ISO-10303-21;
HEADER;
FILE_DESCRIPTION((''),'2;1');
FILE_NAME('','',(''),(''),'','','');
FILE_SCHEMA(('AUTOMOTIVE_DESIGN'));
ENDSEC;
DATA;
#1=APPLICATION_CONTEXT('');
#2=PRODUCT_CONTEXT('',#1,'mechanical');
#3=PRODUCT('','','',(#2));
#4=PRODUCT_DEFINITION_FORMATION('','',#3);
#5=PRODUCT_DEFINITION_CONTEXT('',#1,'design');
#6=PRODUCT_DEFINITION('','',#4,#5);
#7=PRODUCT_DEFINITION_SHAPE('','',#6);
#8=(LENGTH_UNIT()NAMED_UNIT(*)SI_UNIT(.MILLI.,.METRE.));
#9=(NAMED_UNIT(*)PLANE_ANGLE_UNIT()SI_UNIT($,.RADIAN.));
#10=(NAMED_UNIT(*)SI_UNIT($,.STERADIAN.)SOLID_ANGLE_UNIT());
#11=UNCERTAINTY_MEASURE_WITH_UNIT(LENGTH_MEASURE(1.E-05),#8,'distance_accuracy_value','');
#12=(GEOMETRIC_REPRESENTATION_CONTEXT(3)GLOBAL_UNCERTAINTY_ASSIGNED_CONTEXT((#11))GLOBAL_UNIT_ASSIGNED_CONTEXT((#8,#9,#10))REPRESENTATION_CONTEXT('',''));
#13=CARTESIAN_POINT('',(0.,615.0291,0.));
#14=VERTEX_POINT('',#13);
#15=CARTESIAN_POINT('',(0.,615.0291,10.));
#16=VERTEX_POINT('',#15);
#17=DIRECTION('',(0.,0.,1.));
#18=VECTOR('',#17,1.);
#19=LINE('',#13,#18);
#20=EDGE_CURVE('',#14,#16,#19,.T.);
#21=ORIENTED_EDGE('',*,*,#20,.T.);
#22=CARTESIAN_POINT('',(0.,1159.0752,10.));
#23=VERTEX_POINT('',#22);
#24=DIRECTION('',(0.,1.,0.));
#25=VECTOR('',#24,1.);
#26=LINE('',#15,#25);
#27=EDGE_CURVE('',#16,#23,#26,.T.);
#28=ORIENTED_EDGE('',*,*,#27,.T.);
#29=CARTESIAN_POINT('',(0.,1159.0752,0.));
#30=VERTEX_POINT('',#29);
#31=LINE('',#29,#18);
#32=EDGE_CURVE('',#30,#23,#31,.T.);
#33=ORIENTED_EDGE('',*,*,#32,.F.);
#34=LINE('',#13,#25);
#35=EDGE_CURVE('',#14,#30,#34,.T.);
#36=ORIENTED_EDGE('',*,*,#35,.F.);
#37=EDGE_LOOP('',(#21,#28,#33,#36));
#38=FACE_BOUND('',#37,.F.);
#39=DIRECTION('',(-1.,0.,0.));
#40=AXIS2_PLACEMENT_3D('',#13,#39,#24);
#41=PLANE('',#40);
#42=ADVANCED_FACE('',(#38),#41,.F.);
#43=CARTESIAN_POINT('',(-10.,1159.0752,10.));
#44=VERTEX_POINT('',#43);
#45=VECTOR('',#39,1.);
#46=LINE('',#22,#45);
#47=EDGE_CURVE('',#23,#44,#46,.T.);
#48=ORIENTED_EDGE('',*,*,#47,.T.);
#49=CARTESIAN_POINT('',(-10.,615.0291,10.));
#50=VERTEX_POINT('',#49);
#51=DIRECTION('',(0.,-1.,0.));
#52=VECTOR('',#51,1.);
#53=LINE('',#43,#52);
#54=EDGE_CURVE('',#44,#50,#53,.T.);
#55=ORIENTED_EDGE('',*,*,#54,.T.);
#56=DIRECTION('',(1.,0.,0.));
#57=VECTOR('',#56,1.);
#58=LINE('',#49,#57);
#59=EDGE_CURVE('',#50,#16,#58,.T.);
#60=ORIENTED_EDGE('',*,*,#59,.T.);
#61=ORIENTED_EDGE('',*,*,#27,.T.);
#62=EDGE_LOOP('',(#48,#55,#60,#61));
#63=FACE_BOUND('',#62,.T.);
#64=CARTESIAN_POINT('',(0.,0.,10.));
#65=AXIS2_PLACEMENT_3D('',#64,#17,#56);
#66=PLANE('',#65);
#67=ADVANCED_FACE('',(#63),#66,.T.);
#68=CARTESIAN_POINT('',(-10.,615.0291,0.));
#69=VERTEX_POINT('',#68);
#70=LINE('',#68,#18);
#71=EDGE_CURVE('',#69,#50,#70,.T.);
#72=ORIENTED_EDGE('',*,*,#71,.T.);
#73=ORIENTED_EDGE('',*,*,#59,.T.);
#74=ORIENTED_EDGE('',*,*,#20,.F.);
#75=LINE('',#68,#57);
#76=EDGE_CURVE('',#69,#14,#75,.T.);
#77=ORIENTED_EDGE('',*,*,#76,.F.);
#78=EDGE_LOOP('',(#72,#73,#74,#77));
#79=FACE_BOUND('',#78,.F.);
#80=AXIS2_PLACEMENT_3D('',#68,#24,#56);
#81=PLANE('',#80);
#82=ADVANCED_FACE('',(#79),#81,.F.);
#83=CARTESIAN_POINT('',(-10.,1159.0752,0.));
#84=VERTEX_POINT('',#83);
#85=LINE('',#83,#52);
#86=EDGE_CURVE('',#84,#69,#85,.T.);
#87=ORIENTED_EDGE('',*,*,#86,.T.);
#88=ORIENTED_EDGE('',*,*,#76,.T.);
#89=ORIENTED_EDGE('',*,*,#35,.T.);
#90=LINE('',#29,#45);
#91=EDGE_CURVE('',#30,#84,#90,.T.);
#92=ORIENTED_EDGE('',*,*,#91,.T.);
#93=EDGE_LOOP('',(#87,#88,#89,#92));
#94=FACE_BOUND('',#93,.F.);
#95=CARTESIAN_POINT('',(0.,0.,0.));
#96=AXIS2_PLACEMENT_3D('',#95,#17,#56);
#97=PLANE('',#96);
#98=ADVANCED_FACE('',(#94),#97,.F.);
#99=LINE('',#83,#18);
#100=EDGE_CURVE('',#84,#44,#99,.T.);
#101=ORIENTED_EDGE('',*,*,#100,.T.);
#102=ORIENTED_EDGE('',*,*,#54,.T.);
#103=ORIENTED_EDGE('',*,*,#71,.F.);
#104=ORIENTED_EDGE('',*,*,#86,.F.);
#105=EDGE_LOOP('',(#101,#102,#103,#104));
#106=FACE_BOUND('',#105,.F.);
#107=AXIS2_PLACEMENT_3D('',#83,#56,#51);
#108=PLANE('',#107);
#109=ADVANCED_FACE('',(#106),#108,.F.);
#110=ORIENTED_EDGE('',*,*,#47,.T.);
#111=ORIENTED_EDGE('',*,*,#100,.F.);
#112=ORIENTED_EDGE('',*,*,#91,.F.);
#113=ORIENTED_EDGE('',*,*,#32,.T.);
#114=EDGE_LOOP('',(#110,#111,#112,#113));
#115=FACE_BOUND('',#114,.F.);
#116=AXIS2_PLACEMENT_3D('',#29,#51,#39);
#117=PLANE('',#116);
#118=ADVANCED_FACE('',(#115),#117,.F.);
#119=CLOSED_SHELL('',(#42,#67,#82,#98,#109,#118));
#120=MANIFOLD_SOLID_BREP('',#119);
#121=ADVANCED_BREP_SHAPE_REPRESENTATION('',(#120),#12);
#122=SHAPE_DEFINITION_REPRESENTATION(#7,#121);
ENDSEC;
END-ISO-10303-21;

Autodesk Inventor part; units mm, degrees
ref_plane "YZ Plane" through (0, 0, 0) normal (1, 0, 0) x (0, 1, 0)
ref_plane "XZ Plane" through (0, 0, 0) normal (0, 1, 0) x (-1, 0, 0)
ref_plane "XY Plane" through (0, 0, 0) normal (0, 0, 1) x (1, 0, 0)
ref_plane "Work Plane1" through (0, 0, 0) normal (0, 0, 1) x (1, 0, 0)
sketch "Sketch1" plane through (0, 0, 0) normal (0, 0, 1) x (1, 0, 0)
  line L0 (0, 1159.0752) -> (-10, 1159.0752)
  line L1 (-10, 1159.0752) -> (-10, 615.0291)
  line L2 (-10, 615.0291) -> (0, 615.0291)
  line L3 (0, 615.0291) -> (0, 1159.0752)
  line L4 (-12.7, 1177.775) -> (0, 1177.775) projected
  point P0 (0, 0)
  dimension "d2" = 10
  dimension "d3" = 18.6998
  dimension "d4" = 544.0461
extrude "Extrusion1" add sketch "Sketch1" along normal blind 10
properties part number "grooves"
